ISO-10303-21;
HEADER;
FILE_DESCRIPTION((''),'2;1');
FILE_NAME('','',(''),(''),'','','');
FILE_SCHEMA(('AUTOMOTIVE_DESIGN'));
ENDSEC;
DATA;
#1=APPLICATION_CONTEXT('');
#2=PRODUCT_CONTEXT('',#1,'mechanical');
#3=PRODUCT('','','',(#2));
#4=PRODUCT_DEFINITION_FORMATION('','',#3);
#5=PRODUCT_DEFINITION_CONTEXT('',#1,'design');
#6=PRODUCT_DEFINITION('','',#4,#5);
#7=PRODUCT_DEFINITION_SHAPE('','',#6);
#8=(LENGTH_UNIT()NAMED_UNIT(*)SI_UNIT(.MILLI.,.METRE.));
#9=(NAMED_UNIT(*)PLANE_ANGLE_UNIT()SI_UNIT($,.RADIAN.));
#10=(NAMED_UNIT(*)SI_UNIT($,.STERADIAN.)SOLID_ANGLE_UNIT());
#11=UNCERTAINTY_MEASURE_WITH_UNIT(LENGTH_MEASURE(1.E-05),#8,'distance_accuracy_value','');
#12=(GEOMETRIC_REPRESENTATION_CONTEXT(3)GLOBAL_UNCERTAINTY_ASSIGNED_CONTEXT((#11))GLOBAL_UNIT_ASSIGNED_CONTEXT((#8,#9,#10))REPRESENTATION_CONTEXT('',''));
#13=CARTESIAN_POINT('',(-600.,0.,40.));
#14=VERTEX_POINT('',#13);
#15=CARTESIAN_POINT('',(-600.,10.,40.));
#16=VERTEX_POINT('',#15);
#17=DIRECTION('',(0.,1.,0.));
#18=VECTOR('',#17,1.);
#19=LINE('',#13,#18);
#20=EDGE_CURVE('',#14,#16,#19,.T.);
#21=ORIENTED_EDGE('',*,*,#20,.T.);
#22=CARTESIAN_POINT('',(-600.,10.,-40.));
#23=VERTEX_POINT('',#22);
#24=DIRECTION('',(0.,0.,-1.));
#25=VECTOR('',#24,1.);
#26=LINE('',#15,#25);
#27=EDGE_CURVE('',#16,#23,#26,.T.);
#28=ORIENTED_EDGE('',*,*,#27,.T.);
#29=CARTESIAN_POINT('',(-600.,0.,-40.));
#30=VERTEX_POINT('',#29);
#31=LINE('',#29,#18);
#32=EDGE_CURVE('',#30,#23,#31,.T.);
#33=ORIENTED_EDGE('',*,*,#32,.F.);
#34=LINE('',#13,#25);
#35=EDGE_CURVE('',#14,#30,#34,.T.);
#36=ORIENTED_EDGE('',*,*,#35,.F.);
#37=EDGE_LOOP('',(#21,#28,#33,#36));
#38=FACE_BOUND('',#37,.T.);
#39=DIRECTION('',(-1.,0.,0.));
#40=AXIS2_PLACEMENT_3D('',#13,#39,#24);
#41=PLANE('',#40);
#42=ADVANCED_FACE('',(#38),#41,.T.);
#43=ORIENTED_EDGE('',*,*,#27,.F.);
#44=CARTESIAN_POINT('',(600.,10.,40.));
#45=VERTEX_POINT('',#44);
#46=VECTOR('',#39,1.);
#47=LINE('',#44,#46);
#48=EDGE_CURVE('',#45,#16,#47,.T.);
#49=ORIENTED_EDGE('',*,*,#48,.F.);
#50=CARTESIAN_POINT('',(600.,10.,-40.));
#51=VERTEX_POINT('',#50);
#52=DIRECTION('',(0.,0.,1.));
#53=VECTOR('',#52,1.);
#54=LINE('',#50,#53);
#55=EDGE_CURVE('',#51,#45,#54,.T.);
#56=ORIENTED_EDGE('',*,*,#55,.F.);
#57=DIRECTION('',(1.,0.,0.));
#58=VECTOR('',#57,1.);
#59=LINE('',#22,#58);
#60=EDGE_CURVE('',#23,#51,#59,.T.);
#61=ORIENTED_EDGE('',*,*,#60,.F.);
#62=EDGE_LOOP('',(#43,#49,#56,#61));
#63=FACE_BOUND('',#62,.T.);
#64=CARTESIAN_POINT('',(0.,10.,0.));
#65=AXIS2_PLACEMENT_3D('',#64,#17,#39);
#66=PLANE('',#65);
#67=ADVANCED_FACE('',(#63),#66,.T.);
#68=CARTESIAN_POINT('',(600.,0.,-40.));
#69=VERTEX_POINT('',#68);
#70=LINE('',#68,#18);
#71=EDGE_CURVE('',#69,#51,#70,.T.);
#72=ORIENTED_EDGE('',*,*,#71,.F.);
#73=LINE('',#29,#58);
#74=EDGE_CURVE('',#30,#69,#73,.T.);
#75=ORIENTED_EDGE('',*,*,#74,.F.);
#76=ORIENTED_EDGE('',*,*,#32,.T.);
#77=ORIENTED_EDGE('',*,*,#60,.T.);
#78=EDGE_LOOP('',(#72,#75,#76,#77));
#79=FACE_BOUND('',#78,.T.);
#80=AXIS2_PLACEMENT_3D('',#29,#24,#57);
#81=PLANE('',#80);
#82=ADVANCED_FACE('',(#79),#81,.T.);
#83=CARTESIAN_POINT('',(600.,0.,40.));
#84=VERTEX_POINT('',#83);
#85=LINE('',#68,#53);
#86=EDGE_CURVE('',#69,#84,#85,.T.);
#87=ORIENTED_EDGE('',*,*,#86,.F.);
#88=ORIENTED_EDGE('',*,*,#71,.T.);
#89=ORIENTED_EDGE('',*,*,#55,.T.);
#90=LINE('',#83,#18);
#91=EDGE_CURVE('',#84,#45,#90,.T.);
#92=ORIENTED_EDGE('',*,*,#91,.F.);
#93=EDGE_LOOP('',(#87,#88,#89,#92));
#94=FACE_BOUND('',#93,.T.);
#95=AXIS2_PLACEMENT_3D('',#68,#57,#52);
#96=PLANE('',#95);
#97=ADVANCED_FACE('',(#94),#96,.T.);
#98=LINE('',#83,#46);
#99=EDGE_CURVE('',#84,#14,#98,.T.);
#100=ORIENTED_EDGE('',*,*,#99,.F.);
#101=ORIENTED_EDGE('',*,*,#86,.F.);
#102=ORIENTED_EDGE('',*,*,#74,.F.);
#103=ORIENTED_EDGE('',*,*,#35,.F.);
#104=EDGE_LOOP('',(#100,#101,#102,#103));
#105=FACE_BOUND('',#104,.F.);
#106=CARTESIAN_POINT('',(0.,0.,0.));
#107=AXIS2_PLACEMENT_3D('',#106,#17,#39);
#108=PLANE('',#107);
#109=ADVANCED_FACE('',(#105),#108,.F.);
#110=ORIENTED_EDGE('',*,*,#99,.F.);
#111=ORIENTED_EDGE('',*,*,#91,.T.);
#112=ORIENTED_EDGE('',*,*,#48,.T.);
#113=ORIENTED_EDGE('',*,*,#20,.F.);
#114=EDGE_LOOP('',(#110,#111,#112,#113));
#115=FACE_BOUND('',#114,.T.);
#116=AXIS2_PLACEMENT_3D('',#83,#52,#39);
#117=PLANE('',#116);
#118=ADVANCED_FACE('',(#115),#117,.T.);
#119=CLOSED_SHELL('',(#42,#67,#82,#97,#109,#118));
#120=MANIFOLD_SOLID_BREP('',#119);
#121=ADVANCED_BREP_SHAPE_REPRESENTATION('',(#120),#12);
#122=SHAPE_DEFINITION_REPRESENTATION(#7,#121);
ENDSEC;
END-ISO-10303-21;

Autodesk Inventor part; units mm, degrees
ref_plane "YZ Plane" through (0, 0, 0) normal (1, 0, 0) x (0, 1, 0)
ref_plane "XZ Plane" through (0, 0, 0) normal (0, 1, 0) x (-1, 0, 0)
ref_plane "XY Plane" through (0, 0, 0) normal (0, 0, 1) x (1, 0, 0)
sketch "Szkic1" plane through (0, 0, 0) normal (0, 1, 0) x (-1, 0, 0)
  line L0 (600, -40) -> (-600, -40)
  line L1 (-600, -40) -> (-600, 40)
  line L2 (-600, 40) -> (600, 40)
  line L3 (600, 40) -> (600, -40)
  line L4 (600, -40) -> (-600, 40) construction
  line L5 (-600, -40) -> (600, 40) construction
  point P0 (0, 0)
  dimension "d0" = 1200
  dimension "d1" = 80
extrude "Wyciągnięcie proste1" add sketch "Szkic1" along normal blind 10
properties part number "deska120x80"
